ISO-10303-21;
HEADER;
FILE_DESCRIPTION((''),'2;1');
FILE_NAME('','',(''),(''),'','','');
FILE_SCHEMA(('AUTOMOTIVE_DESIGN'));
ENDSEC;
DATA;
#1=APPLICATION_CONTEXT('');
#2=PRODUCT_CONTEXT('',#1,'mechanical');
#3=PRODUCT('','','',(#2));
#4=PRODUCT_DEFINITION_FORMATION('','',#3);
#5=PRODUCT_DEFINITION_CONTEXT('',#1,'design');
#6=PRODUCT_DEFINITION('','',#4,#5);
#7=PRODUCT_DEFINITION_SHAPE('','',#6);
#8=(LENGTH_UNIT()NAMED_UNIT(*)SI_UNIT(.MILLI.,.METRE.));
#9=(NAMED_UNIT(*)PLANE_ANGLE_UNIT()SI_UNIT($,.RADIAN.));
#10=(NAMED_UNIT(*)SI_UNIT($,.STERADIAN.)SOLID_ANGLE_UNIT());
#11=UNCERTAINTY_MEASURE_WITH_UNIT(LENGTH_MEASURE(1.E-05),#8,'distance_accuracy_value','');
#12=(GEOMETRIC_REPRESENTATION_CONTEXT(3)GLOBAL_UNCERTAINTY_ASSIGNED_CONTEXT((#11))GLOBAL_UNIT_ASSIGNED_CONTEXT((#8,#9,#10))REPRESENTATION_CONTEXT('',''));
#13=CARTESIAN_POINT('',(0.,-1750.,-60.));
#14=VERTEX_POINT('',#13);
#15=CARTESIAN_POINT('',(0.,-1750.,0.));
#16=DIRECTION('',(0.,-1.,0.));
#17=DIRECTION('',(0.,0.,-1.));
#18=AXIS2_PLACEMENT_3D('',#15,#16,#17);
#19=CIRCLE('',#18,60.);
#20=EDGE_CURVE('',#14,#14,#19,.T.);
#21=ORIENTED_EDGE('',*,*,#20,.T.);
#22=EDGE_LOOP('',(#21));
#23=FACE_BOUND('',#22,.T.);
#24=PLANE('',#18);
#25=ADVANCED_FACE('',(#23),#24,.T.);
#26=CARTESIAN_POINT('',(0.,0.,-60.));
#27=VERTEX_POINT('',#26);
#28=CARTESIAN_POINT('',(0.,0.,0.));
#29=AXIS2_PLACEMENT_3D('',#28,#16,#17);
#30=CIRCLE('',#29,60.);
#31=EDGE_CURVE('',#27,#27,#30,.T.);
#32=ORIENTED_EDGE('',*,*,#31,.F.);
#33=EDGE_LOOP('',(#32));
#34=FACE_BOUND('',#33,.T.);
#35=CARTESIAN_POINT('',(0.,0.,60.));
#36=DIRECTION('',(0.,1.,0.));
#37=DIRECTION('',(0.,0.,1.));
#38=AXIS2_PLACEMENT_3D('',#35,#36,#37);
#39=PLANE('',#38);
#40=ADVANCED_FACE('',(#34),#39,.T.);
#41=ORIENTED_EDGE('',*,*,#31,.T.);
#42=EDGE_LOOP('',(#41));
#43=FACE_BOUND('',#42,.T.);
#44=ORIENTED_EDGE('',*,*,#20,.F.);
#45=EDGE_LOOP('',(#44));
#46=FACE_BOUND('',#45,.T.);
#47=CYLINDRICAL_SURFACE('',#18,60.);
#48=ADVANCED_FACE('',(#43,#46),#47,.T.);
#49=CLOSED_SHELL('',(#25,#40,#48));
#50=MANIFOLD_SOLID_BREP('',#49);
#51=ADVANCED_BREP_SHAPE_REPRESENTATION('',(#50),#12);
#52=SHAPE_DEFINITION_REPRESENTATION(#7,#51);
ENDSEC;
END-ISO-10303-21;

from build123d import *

# Parameters (mm, degrees)
SKETCH1_W = 60
SKETCH1_H = 1750


with BuildPart() as part:
    # Sketch1 → Revolve-Thin3 (revolve)
    with BuildSketch(Plane(origin=(0, 0, 0), x_dir=(0, 0, -1), z_dir=(1, 0, 0))):
        with Locations((30, -875)):
            Rectangle(SKETCH1_W, SKETCH1_H)
    revolve(axis=Axis((0, -1750, 0), (0, 1, 0)))


solid = part.part
